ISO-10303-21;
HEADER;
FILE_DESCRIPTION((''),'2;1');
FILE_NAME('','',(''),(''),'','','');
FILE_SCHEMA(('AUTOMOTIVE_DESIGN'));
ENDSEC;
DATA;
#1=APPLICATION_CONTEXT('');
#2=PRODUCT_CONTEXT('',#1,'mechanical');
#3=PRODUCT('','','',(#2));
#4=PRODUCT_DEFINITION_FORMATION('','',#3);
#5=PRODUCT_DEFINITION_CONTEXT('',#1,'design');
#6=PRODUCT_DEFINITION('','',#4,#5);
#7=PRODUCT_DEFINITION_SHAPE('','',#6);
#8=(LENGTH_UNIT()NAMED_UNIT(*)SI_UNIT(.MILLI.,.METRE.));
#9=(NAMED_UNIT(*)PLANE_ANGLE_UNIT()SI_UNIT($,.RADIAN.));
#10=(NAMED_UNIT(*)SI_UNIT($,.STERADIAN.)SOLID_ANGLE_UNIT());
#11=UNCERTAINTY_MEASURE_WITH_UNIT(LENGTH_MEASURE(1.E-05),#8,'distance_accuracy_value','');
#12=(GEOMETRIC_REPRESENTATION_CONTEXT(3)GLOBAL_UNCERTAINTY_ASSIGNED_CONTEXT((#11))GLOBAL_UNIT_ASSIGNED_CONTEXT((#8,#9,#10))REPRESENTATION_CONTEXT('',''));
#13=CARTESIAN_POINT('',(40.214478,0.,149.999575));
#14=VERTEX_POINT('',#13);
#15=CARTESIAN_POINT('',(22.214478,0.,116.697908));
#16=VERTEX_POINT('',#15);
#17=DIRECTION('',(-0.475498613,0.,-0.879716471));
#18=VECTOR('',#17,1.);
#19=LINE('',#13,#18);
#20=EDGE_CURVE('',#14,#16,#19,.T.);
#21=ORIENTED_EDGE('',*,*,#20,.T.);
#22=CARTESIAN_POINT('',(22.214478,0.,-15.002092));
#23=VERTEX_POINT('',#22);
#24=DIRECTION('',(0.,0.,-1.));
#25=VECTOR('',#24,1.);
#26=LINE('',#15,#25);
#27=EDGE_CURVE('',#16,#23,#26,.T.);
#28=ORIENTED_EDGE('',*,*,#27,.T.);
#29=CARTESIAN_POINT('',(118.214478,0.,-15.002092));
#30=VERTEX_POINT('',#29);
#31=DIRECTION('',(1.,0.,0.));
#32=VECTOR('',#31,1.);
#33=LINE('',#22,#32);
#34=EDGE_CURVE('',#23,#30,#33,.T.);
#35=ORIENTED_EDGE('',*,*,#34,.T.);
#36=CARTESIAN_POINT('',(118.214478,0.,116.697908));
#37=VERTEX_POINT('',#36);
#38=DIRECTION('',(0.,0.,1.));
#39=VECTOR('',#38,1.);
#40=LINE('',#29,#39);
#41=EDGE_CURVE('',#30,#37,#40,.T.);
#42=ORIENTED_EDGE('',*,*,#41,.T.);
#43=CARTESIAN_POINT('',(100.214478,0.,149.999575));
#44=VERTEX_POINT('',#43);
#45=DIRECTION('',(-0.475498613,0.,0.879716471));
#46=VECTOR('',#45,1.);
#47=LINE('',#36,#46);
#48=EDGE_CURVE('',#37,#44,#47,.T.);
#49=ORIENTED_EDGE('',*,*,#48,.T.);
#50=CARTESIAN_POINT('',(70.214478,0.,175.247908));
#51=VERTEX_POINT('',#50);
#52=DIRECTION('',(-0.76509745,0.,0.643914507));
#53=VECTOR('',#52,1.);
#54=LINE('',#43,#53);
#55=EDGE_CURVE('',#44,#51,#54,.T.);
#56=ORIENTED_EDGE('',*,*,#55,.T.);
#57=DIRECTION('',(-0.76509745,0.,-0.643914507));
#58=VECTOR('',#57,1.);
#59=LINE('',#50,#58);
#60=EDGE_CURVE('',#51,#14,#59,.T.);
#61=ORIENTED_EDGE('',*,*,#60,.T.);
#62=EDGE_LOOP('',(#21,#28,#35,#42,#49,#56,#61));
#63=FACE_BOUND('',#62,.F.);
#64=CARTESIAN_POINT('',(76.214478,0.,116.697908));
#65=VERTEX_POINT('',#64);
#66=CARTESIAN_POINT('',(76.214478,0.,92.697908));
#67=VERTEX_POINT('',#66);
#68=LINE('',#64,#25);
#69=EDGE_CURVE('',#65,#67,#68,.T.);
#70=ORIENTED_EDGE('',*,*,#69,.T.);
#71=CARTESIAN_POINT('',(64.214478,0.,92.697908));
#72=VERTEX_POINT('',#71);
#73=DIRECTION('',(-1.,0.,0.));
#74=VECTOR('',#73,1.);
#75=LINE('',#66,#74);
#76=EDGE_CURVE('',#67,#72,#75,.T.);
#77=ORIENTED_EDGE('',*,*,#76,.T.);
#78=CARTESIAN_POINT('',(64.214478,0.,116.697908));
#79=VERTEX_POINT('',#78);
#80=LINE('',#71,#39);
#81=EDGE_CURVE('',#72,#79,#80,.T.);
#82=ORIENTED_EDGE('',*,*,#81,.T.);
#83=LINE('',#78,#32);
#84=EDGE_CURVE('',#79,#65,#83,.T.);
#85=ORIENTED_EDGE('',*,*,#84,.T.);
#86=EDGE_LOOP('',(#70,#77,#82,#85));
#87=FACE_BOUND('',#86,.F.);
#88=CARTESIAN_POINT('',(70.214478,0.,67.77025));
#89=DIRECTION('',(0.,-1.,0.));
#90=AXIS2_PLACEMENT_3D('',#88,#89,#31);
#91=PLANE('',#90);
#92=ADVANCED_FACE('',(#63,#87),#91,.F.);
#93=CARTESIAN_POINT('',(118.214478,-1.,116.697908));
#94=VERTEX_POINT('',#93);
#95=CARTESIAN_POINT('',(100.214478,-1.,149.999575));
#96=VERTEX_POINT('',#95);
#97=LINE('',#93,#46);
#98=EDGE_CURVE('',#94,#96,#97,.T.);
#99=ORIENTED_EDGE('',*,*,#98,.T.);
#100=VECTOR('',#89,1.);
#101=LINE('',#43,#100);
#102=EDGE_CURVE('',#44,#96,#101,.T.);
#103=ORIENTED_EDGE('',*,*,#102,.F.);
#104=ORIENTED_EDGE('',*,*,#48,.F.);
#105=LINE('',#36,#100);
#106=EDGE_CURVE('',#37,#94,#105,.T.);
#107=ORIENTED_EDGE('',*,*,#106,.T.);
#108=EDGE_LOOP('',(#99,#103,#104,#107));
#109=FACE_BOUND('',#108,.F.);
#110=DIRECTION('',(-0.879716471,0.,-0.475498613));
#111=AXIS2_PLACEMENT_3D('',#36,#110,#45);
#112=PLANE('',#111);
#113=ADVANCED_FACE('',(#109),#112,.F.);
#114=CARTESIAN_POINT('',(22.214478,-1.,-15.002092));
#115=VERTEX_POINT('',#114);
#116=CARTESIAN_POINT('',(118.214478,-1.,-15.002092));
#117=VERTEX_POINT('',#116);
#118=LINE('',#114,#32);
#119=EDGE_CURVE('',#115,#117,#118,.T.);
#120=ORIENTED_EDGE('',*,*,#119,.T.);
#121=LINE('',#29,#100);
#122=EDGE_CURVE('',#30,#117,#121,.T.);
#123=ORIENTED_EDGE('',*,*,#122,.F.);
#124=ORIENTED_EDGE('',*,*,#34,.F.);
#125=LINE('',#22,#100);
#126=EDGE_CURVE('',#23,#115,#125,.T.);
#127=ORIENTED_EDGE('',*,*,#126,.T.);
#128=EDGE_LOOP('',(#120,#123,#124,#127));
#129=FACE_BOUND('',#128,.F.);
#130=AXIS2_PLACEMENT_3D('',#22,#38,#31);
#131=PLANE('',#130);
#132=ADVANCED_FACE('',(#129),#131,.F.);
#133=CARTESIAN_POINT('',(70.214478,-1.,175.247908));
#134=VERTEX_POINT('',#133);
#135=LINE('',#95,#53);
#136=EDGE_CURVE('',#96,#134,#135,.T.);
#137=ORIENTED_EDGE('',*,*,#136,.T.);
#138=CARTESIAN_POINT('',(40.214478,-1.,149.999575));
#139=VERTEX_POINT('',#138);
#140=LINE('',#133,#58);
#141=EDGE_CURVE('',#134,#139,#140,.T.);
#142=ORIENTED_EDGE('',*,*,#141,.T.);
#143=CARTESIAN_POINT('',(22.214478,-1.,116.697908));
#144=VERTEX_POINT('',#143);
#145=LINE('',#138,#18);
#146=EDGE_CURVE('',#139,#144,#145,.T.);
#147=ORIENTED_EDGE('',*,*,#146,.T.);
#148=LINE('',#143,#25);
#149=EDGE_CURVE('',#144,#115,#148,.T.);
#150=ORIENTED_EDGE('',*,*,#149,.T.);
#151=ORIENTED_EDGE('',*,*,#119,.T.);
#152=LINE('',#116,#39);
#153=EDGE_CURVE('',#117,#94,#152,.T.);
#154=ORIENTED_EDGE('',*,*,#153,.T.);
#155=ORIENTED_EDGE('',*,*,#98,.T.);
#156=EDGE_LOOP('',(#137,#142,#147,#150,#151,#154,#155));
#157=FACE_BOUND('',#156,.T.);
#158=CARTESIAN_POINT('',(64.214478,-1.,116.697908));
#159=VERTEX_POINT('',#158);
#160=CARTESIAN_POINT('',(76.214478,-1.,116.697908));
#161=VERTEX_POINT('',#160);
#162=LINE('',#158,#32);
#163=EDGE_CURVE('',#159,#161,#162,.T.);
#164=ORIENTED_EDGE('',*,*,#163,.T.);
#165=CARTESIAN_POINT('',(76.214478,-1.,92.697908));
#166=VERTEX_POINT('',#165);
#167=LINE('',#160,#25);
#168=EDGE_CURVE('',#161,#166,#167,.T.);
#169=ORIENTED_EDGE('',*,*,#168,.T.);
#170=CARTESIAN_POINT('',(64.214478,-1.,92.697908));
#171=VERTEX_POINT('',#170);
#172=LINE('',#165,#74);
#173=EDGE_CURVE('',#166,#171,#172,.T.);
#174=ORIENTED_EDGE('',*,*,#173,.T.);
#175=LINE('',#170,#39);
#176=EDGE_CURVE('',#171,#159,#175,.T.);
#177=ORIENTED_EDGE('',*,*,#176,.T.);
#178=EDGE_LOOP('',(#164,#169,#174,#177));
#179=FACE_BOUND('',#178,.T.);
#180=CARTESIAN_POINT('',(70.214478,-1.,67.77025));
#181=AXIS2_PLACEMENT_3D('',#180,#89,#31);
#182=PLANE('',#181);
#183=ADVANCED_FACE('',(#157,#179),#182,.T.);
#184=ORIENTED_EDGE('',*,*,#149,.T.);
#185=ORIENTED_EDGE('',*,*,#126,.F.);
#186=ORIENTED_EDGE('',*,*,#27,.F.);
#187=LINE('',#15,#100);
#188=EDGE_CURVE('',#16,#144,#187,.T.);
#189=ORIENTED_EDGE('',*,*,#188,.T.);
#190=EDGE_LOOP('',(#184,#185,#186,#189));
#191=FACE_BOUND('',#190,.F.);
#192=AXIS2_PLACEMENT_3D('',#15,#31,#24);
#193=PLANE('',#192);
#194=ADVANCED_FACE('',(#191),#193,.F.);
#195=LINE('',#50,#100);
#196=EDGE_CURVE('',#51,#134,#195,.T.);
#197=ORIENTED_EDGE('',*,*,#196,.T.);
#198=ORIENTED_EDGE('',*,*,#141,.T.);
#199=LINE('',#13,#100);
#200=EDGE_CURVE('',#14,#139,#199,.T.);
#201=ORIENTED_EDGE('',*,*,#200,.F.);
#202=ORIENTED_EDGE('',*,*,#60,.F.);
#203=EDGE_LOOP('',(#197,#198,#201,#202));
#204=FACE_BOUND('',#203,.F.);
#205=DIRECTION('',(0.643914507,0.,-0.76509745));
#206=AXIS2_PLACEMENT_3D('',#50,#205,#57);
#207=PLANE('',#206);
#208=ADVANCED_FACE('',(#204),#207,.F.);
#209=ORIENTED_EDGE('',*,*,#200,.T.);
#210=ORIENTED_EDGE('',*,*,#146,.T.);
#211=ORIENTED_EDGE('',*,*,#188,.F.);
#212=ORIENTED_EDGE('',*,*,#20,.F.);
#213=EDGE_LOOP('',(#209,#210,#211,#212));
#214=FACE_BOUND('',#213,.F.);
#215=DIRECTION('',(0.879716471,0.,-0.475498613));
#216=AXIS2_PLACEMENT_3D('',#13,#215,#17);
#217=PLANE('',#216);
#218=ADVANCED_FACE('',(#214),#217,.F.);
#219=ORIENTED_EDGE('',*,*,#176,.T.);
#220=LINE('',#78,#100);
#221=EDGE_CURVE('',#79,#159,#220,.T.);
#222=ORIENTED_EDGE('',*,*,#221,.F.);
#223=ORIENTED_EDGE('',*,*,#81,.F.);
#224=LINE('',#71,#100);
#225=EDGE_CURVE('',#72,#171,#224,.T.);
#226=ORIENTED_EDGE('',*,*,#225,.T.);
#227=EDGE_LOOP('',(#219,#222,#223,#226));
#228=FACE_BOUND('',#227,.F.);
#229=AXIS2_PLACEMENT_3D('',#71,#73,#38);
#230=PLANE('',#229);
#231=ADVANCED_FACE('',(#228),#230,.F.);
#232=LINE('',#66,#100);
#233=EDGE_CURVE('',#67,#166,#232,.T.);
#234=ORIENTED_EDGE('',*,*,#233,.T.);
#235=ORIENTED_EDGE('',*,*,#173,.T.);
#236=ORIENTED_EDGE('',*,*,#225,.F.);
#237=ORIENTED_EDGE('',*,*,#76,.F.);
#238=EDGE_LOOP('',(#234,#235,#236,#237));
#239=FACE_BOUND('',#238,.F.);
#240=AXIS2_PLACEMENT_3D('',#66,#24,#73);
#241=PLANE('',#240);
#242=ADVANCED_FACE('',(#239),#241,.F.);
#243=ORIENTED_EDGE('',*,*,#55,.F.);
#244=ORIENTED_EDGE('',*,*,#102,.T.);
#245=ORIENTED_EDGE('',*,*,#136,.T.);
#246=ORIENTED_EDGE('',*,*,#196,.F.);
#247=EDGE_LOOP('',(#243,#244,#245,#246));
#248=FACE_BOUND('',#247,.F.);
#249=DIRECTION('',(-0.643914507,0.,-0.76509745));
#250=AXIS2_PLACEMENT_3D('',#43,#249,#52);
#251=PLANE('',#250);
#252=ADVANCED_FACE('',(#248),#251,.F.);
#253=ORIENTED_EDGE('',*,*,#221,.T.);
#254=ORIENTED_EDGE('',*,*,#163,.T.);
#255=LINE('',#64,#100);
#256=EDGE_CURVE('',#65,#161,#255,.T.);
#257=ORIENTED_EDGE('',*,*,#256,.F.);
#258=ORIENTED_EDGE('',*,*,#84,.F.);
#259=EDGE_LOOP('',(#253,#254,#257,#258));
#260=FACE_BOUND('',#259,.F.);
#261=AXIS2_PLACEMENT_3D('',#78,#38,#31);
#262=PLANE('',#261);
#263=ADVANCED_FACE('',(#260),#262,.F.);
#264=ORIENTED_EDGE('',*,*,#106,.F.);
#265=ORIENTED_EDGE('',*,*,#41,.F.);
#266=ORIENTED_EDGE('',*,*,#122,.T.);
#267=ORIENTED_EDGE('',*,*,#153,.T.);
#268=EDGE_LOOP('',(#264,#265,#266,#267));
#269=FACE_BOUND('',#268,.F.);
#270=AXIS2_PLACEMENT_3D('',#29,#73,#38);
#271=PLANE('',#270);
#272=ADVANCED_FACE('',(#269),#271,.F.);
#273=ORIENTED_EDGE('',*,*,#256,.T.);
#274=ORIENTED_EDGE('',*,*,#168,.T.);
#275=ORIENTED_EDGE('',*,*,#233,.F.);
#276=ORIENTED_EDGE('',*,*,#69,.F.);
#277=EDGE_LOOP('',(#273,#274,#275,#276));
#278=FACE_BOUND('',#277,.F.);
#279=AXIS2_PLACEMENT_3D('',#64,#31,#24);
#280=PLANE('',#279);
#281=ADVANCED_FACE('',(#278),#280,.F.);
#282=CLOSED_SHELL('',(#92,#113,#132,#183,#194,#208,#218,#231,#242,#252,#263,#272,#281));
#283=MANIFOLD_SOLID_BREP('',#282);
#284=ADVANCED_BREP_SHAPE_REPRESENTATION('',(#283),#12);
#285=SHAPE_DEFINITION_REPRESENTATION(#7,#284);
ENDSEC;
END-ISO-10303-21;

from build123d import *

# Parameters (mm, degrees)
F1_DEPTH = 1


with BuildPart() as f1:
    # F0 (on Front) → F1 (new body)
    with BuildSketch(Plane.XZ):
        Polygon((118.214478, -15.002092), (118.214478, 7.747908), (118.214478, 40.497908), (118.214478, 113.497908), (118.214478, 116.697908), (100.214478, 149.999575), (70.214478, 175.247908), (40.214478, 149.999575), (22.214478, 116.697908), (22.214478, 7.747908), (22.214478, -15.002092), align=None)
        Polygon((64.214478, 116.697908), (70.214478, 116.697908), (76.214478, 116.697908), (76.214478, 92.697908), (64.214478, 92.697908), align=None, mode=Mode.SUBTRACT)
    extrude(amount=F1_DEPTH)


solid = f1.part
